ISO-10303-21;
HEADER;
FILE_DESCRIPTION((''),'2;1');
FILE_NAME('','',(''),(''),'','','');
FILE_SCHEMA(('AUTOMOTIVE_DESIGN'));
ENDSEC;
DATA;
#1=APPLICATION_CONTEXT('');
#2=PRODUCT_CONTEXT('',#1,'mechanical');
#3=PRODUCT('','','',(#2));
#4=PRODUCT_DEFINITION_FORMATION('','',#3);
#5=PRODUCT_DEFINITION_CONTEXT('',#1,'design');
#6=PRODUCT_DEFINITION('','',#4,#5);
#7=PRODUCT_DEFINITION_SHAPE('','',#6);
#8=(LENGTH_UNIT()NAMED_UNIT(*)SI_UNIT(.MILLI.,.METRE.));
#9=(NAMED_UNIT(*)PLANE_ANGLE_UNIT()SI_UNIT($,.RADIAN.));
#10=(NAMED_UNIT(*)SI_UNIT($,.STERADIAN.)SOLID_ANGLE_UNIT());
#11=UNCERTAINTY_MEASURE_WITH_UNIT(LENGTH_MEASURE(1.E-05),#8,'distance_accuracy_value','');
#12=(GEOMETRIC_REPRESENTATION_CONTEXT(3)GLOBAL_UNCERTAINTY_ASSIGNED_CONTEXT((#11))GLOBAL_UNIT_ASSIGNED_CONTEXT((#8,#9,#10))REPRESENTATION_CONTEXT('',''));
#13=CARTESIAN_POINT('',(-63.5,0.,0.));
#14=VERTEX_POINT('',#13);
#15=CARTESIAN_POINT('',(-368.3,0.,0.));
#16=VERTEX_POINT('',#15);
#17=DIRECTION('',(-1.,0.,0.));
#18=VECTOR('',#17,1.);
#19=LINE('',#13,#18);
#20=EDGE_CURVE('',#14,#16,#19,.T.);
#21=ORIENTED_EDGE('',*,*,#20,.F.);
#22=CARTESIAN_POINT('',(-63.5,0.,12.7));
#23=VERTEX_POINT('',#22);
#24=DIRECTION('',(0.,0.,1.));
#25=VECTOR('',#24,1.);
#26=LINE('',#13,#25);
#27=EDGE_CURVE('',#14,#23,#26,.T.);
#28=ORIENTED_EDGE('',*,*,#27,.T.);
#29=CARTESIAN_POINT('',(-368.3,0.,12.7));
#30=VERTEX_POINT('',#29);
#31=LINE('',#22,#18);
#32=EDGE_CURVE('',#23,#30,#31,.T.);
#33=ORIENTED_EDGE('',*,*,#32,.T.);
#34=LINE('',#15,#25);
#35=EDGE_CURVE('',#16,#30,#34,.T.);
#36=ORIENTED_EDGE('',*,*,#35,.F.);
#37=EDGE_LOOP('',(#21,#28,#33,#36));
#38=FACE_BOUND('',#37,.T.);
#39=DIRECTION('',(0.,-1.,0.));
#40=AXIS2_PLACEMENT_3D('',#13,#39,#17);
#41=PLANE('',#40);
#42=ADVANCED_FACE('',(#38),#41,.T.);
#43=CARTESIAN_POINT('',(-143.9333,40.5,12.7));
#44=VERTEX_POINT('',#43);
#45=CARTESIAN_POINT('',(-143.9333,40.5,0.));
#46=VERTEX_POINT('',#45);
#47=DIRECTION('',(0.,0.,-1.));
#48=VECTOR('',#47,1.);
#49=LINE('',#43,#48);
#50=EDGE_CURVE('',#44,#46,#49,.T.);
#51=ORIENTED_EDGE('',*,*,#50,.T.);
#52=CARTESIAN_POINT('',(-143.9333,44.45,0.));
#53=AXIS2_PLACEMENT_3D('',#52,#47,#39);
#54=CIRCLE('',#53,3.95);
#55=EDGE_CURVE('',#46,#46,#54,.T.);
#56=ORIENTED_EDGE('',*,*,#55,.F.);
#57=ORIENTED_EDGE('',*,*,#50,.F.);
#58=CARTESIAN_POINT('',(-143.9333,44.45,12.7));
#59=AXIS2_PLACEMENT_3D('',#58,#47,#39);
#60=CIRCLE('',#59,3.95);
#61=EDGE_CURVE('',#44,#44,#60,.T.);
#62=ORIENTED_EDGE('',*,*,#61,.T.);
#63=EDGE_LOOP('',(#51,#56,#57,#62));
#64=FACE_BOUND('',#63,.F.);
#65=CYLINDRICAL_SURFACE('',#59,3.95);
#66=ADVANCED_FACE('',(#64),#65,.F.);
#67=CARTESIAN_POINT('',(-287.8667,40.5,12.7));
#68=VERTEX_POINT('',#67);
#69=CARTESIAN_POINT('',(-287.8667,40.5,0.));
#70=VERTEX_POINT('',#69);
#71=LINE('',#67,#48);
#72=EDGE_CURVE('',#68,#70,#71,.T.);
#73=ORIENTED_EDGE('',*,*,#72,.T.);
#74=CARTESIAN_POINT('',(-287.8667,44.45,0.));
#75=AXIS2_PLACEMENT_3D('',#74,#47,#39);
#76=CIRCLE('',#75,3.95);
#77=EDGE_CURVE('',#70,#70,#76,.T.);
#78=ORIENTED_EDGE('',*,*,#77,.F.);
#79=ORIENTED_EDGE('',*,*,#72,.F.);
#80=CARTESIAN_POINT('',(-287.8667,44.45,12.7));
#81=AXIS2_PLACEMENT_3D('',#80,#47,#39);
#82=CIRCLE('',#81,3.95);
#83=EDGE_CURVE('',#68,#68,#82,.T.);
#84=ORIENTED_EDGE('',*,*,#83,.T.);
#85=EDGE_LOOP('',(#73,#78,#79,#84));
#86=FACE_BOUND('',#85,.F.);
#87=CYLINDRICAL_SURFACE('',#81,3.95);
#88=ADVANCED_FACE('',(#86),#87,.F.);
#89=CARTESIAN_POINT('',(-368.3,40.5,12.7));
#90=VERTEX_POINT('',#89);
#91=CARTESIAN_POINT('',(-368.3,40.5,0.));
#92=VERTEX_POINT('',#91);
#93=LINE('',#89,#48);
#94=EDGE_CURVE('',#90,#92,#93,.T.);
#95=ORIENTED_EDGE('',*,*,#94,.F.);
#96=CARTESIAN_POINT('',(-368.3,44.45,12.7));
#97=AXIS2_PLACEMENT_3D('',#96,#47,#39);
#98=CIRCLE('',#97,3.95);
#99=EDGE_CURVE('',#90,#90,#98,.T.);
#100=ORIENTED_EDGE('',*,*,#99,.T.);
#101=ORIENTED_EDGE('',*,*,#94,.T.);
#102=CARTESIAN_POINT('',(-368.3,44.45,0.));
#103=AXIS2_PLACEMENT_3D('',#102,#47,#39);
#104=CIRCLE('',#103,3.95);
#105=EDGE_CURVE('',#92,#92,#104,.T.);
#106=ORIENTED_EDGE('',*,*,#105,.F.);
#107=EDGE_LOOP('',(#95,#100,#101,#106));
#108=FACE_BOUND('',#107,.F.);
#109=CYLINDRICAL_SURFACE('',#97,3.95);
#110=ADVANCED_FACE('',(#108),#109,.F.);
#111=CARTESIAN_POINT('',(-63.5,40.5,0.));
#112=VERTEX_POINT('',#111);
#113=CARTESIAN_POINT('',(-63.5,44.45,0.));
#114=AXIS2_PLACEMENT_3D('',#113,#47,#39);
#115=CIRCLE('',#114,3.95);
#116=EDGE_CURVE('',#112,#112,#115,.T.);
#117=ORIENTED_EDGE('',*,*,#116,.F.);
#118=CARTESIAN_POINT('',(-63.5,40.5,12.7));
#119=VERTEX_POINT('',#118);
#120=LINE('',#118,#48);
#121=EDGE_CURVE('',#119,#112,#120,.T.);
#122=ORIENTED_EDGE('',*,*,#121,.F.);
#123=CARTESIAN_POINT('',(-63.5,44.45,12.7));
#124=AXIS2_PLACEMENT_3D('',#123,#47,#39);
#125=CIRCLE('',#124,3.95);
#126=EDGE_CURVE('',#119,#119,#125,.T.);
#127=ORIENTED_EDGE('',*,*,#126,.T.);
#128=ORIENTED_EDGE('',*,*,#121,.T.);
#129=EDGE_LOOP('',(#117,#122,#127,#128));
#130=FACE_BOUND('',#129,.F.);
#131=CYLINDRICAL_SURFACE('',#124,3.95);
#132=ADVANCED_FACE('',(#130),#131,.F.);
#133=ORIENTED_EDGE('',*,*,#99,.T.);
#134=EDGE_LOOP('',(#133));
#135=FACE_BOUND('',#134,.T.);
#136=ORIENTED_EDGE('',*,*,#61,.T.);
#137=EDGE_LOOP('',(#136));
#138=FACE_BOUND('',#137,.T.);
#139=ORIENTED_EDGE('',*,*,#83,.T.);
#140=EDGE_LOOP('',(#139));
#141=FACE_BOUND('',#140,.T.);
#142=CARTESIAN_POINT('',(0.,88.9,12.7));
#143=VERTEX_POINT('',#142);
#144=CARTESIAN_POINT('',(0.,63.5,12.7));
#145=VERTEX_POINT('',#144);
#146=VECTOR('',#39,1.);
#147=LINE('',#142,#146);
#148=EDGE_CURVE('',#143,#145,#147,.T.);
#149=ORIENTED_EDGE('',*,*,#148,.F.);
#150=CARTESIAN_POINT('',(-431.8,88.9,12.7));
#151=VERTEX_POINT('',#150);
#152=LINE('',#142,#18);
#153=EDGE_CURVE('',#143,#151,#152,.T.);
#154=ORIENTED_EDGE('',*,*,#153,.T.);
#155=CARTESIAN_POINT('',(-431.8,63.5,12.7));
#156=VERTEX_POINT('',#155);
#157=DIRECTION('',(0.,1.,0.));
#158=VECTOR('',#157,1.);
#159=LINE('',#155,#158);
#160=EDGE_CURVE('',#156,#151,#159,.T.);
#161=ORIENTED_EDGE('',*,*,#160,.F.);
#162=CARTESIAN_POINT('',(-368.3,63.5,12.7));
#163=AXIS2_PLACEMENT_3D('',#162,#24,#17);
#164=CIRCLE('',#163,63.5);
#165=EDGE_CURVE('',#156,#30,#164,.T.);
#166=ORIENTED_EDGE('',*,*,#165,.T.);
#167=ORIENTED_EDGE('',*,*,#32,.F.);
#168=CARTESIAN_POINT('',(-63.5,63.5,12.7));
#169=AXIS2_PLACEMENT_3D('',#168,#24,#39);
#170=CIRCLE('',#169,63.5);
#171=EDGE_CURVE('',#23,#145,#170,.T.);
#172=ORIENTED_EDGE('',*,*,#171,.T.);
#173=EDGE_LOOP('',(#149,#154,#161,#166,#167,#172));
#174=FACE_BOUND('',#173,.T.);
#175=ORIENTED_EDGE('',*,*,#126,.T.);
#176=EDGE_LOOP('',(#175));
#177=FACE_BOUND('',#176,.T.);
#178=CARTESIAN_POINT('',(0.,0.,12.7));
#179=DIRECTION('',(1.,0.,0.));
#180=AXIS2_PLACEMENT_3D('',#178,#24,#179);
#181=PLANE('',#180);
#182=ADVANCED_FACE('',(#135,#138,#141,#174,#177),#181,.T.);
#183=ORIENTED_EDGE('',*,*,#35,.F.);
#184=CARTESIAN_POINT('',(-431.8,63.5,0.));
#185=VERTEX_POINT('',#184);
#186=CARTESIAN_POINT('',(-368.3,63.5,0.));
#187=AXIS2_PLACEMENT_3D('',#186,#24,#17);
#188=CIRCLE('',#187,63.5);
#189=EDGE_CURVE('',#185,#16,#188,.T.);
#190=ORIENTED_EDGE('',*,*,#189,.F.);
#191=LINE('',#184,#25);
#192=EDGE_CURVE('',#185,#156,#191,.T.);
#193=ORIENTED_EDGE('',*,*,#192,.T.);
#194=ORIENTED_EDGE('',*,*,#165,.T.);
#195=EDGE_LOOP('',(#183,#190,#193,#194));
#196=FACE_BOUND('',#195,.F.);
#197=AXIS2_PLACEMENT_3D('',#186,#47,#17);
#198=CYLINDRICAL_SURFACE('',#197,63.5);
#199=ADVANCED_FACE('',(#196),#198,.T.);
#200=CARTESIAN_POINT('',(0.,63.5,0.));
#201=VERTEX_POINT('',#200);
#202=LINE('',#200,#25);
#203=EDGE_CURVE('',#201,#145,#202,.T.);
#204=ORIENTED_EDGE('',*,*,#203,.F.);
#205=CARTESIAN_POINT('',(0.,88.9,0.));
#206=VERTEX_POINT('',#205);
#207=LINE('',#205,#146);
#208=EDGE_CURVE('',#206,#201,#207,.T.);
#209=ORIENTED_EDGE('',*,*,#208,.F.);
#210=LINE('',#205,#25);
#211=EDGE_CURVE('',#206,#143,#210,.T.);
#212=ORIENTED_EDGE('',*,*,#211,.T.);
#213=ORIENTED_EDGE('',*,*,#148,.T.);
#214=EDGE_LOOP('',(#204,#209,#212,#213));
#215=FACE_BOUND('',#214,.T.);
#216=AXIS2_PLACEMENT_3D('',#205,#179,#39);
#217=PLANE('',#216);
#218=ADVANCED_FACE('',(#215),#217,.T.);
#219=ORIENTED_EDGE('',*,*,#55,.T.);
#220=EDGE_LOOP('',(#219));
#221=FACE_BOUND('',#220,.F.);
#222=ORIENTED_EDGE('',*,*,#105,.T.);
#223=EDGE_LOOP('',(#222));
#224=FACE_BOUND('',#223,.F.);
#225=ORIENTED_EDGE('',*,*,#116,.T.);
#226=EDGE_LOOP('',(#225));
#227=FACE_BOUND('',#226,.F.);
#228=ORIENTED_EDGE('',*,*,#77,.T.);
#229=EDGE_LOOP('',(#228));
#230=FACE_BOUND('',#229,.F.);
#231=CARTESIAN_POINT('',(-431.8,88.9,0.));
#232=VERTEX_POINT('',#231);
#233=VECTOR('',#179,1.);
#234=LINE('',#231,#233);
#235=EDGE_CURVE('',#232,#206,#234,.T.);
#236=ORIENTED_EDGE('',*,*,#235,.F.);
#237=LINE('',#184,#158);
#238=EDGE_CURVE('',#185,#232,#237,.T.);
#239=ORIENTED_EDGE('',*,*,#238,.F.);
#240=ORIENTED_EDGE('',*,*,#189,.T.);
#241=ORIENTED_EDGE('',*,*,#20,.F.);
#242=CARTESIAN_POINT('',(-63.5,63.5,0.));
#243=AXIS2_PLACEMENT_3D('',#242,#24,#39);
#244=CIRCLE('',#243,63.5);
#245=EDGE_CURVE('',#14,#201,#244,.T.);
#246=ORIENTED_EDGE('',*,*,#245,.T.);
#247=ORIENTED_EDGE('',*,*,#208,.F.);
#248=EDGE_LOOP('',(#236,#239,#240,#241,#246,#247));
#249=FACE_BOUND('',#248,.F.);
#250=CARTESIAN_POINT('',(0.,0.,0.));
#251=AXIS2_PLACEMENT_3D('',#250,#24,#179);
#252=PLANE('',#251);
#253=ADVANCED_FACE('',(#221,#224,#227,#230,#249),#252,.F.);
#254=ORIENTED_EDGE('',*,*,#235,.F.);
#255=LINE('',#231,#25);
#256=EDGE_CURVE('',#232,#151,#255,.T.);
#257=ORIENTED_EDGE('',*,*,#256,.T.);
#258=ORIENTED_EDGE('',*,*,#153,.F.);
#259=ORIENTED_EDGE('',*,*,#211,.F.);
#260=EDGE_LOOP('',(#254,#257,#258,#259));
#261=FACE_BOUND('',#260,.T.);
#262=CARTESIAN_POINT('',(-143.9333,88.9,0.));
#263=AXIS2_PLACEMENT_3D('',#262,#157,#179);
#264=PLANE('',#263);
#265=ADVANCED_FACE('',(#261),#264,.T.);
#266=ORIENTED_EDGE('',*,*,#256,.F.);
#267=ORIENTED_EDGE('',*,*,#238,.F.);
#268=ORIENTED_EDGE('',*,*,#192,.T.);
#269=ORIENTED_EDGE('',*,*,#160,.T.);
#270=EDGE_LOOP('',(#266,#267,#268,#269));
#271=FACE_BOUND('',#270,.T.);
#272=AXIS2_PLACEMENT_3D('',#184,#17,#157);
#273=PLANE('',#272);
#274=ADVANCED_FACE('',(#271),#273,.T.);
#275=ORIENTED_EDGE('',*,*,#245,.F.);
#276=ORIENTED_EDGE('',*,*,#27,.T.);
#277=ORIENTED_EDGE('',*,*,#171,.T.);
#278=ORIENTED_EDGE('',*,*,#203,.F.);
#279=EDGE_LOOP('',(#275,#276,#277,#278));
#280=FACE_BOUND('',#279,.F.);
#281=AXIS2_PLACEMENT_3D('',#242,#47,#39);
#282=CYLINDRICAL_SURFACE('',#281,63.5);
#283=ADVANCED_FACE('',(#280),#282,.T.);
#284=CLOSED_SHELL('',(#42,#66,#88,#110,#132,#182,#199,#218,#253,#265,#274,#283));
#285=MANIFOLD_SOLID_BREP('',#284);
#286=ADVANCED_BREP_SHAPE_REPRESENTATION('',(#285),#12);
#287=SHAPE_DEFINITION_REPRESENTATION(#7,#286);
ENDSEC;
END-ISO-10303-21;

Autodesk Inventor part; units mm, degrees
ref_plane "YZ Plane" through (0, 0, 0) normal (1, 0, 0) x (0, 1, 0)
ref_plane "XZ Plane" through (0, 0, 0) normal (0, 1, 0) x (-1, 0, 0)
ref_plane "XY Plane" through (0, 0, 0) normal (0, 0, 1) x (1, 0, 0)
sketch "Sketch1" plane through (0, 0, 0) normal (0, 0, 1) x (1, 0, 0)
  line L0 (-63.5, 0) -> (-368.3, 0)
  line L1 (-431.8, 63.5) -> (-431.8, 88.9)
  line L2 (-431.8, 88.9) -> (0, 88.9)
  line L3 (0, 88.9) -> (0, 63.5)
  arc A0 (-431.8, 63.5) -> (-368.3, 0) centre (-368.3, 63.5) ccw
  arc A1 (-63.5, 0) -> (0, 63.5) centre (-63.5, 63.5) ccw
  line L4 (-431.8, 88.9) -> (-287.8667, 88.9)
  line L5 (0, 88.9) -> (-143.9333, 88.9)
  point P0 (0, 0)
  point P1 (-431.8, 0)
  dimension "d0" = 431.8
  dimension "d1" = 88.9
  dimension "d2" = 63.5
  dimension "d3" = 63.5
extrude "Extrusion1" add sketch "Sketch1" along normal blind 12.7
sketch "Sketch2" plane through (0, 0, 12.7) normal (0, 0, 1) x (1, 0, 0)
  line L0 (-368.3, 0) -> (-63.5, 0) projected
  line L1 (0, 88.9) -> (-431.8, 88.9) projected
  line L2 (0, 63.5) -> (0, 88.9) projected
  line L3 (-431.8, 88.9) -> (-431.8, 63.5) projected
  point P0 (0, 0)
  point P1 (-368.3, 44.45)
  point P2 (-287.8667, 44.45)
  point P3 (-143.9333, 44.45)
  point P4 (-63.5, 44.45)
  dimension "d6" = 88.9
  dimension "d7" = 44.45
  dimension "d8" = 44.45
  dimension "d9" = 44.45
  dimension "d10" = 44.45
  dimension "d11" = 431.8
  dimension "d12" = 63.5
  dimension "d13" = 143.9333
  dimension "d14" = 143.9333
  dimension "d15" = 63.5
hole "Hole1" at (-368.3, 44.45, 12.7) at (-287.8667, 44.45, 12.7) at (-143.9333, 44.45, 12.7) at (-63.5, 44.45, 12.7) direction (0, 0, -1) diameter 7.9 end through all
equation "\"d7\" = 0.5 * d6"
equation "\"d8\" = 0.5 * d6"
equation "\"d9\" = 0.5 * d6"
equation "\"d10\" = 0.5 * d6"
equation "\"d13\" = 0.333333 * d11"
equation "\"d14\" = d13"
equation "\"d15\" = d12"
properties part number "side drivetrain piece (8 wheel macanum)"
